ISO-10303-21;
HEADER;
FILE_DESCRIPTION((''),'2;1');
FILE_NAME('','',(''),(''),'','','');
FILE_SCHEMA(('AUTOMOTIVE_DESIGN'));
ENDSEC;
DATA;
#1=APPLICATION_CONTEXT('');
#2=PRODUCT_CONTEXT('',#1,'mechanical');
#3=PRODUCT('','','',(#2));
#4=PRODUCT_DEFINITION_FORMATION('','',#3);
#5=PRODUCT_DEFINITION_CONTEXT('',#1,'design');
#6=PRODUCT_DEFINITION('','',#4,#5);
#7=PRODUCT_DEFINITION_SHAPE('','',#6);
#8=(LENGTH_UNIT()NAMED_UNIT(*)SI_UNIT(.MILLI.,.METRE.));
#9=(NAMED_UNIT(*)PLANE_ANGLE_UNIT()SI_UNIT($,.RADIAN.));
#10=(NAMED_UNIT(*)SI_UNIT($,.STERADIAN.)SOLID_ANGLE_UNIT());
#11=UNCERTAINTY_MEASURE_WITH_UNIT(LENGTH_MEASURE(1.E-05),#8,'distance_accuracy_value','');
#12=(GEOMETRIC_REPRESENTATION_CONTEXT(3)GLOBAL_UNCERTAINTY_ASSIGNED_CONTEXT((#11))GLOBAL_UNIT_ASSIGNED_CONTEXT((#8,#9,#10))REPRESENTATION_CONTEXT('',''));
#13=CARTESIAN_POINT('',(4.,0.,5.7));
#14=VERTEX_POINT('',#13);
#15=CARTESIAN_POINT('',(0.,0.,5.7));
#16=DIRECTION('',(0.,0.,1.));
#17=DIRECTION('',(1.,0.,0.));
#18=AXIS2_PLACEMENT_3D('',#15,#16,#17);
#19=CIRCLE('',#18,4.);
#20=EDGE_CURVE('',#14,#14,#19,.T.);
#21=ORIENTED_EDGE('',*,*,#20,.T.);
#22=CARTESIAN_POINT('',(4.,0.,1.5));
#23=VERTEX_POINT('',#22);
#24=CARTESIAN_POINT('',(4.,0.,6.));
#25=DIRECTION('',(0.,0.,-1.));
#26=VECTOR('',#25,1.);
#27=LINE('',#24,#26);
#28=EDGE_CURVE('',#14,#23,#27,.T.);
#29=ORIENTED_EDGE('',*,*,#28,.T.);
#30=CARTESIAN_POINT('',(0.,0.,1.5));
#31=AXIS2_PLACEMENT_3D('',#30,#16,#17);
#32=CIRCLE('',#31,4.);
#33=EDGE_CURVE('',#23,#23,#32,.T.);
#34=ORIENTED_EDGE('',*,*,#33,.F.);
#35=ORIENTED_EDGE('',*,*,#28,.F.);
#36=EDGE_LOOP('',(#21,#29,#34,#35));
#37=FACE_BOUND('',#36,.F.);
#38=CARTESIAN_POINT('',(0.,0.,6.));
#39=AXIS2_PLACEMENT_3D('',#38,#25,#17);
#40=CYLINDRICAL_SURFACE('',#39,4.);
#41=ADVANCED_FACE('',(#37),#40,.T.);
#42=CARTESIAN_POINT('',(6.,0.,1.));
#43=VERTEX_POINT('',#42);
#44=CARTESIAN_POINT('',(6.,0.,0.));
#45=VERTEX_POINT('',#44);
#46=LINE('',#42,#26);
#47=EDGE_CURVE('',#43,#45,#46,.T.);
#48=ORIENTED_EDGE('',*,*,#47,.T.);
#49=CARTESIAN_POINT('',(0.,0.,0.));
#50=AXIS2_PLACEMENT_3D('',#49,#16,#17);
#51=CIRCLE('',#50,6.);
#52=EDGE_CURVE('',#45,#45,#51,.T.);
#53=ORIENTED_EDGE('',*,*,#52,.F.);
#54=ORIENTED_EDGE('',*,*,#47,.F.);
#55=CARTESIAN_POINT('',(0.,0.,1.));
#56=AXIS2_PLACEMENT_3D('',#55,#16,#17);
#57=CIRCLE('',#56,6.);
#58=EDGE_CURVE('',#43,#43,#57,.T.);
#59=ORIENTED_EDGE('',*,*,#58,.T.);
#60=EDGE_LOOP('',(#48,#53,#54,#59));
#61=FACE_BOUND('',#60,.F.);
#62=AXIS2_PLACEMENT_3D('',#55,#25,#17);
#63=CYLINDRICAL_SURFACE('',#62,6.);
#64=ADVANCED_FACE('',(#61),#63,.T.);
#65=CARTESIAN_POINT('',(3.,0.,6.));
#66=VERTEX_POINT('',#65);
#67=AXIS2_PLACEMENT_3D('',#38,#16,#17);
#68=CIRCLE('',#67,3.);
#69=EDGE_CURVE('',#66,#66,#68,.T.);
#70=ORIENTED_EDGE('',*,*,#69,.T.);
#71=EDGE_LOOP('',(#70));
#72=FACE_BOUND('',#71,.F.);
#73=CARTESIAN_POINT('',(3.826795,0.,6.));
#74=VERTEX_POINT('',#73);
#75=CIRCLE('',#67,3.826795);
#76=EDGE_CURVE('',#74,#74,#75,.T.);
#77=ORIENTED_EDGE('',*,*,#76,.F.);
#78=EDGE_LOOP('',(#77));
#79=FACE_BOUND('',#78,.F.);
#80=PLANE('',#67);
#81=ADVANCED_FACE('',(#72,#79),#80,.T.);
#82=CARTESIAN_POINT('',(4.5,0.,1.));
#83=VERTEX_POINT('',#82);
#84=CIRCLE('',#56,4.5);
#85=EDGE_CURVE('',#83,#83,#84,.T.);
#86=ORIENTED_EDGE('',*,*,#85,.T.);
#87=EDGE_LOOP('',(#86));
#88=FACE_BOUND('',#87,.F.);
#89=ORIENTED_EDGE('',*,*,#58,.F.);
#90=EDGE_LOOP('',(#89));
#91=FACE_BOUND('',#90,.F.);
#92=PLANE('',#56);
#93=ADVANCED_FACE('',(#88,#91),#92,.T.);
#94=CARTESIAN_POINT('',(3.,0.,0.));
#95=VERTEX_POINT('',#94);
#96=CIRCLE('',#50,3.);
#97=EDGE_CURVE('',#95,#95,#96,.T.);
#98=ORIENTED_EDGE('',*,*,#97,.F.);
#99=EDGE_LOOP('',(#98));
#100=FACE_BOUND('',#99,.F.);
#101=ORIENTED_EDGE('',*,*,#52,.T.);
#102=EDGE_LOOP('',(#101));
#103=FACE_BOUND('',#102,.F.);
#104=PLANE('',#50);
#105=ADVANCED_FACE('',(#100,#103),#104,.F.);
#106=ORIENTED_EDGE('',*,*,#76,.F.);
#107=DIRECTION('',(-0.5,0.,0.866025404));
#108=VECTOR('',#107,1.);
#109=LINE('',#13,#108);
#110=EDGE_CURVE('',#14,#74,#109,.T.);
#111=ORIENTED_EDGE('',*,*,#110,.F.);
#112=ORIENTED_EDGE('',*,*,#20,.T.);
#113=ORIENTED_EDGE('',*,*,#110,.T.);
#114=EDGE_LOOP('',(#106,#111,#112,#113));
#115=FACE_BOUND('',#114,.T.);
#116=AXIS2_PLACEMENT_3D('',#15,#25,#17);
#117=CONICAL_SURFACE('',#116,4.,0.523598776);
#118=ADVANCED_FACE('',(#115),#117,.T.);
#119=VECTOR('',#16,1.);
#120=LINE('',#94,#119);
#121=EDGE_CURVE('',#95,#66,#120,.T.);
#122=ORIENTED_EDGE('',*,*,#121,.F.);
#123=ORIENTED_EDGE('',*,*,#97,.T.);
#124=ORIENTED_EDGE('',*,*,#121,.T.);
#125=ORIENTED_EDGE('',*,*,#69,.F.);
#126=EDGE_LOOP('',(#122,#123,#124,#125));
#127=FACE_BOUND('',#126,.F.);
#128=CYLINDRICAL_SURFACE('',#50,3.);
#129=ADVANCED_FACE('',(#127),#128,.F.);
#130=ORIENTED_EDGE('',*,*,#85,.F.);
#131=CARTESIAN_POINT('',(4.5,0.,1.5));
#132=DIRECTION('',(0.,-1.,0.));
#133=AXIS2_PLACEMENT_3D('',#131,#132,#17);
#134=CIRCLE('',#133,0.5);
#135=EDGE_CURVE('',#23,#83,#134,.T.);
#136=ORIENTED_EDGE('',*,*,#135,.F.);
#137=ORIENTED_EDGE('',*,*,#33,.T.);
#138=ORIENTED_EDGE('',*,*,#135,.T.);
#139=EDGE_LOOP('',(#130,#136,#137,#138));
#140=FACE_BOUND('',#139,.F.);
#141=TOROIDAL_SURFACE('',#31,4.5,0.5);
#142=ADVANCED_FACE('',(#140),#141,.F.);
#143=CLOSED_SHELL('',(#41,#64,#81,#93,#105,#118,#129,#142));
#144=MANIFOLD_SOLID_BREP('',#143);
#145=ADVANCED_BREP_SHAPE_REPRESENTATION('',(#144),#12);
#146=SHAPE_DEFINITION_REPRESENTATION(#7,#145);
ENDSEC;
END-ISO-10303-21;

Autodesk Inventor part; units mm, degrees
ref_plane "YZ Plane" through (0, 0, 0) normal (1, 0, 0) x (0, 1, 0)
ref_plane "XZ Plane" through (0, 0, 0) normal (0, 1, 0) x (-1, 0, 0)
ref_plane "XY Plane" through (0, 0, 0) normal (0, 0, 1) x (1, 0, 0)
sketch "Sketch1" plane through (0, 0, 0) normal (0, 1, 0) x (-1, 0, 0)
  line L0 (0, 0) -> (0, 6)
  line L1 (-3, 0) -> (-3, 6)
  line L2 (-3, 6) -> (-4, 6)
  line L3 (-4, 6) -> (-4, 1)
  line L4 (-4, 1) -> (-6, 1)
  line L5 (-6, 1) -> (-6, 0)
  line L6 (-6, 0) -> (-3, 0)
  dimension "InsideDiameter" = 6
  dimension "OuterDiameter" = 8
  dimension "FlangeDiameter" = 12
  dimension "FlangeThickness" = 1
  dimension "Length" = 5
revolve "Revolution1" add sketch "Sketch1" angle 360 about axis through (0, 0, 0) along (0, 0, 1)
chamfer "Chamfer1" distance 0.3 angle 30 1 edges at (-4, 0, 6) measured on face at (3.9482, -0.6416, 4.3333)
fillet "Fillet1" radius 0.5 1 edges at (-4, 0, 1)
properties part number "GFM-0608-06" material "Acetal Resin, Black"
